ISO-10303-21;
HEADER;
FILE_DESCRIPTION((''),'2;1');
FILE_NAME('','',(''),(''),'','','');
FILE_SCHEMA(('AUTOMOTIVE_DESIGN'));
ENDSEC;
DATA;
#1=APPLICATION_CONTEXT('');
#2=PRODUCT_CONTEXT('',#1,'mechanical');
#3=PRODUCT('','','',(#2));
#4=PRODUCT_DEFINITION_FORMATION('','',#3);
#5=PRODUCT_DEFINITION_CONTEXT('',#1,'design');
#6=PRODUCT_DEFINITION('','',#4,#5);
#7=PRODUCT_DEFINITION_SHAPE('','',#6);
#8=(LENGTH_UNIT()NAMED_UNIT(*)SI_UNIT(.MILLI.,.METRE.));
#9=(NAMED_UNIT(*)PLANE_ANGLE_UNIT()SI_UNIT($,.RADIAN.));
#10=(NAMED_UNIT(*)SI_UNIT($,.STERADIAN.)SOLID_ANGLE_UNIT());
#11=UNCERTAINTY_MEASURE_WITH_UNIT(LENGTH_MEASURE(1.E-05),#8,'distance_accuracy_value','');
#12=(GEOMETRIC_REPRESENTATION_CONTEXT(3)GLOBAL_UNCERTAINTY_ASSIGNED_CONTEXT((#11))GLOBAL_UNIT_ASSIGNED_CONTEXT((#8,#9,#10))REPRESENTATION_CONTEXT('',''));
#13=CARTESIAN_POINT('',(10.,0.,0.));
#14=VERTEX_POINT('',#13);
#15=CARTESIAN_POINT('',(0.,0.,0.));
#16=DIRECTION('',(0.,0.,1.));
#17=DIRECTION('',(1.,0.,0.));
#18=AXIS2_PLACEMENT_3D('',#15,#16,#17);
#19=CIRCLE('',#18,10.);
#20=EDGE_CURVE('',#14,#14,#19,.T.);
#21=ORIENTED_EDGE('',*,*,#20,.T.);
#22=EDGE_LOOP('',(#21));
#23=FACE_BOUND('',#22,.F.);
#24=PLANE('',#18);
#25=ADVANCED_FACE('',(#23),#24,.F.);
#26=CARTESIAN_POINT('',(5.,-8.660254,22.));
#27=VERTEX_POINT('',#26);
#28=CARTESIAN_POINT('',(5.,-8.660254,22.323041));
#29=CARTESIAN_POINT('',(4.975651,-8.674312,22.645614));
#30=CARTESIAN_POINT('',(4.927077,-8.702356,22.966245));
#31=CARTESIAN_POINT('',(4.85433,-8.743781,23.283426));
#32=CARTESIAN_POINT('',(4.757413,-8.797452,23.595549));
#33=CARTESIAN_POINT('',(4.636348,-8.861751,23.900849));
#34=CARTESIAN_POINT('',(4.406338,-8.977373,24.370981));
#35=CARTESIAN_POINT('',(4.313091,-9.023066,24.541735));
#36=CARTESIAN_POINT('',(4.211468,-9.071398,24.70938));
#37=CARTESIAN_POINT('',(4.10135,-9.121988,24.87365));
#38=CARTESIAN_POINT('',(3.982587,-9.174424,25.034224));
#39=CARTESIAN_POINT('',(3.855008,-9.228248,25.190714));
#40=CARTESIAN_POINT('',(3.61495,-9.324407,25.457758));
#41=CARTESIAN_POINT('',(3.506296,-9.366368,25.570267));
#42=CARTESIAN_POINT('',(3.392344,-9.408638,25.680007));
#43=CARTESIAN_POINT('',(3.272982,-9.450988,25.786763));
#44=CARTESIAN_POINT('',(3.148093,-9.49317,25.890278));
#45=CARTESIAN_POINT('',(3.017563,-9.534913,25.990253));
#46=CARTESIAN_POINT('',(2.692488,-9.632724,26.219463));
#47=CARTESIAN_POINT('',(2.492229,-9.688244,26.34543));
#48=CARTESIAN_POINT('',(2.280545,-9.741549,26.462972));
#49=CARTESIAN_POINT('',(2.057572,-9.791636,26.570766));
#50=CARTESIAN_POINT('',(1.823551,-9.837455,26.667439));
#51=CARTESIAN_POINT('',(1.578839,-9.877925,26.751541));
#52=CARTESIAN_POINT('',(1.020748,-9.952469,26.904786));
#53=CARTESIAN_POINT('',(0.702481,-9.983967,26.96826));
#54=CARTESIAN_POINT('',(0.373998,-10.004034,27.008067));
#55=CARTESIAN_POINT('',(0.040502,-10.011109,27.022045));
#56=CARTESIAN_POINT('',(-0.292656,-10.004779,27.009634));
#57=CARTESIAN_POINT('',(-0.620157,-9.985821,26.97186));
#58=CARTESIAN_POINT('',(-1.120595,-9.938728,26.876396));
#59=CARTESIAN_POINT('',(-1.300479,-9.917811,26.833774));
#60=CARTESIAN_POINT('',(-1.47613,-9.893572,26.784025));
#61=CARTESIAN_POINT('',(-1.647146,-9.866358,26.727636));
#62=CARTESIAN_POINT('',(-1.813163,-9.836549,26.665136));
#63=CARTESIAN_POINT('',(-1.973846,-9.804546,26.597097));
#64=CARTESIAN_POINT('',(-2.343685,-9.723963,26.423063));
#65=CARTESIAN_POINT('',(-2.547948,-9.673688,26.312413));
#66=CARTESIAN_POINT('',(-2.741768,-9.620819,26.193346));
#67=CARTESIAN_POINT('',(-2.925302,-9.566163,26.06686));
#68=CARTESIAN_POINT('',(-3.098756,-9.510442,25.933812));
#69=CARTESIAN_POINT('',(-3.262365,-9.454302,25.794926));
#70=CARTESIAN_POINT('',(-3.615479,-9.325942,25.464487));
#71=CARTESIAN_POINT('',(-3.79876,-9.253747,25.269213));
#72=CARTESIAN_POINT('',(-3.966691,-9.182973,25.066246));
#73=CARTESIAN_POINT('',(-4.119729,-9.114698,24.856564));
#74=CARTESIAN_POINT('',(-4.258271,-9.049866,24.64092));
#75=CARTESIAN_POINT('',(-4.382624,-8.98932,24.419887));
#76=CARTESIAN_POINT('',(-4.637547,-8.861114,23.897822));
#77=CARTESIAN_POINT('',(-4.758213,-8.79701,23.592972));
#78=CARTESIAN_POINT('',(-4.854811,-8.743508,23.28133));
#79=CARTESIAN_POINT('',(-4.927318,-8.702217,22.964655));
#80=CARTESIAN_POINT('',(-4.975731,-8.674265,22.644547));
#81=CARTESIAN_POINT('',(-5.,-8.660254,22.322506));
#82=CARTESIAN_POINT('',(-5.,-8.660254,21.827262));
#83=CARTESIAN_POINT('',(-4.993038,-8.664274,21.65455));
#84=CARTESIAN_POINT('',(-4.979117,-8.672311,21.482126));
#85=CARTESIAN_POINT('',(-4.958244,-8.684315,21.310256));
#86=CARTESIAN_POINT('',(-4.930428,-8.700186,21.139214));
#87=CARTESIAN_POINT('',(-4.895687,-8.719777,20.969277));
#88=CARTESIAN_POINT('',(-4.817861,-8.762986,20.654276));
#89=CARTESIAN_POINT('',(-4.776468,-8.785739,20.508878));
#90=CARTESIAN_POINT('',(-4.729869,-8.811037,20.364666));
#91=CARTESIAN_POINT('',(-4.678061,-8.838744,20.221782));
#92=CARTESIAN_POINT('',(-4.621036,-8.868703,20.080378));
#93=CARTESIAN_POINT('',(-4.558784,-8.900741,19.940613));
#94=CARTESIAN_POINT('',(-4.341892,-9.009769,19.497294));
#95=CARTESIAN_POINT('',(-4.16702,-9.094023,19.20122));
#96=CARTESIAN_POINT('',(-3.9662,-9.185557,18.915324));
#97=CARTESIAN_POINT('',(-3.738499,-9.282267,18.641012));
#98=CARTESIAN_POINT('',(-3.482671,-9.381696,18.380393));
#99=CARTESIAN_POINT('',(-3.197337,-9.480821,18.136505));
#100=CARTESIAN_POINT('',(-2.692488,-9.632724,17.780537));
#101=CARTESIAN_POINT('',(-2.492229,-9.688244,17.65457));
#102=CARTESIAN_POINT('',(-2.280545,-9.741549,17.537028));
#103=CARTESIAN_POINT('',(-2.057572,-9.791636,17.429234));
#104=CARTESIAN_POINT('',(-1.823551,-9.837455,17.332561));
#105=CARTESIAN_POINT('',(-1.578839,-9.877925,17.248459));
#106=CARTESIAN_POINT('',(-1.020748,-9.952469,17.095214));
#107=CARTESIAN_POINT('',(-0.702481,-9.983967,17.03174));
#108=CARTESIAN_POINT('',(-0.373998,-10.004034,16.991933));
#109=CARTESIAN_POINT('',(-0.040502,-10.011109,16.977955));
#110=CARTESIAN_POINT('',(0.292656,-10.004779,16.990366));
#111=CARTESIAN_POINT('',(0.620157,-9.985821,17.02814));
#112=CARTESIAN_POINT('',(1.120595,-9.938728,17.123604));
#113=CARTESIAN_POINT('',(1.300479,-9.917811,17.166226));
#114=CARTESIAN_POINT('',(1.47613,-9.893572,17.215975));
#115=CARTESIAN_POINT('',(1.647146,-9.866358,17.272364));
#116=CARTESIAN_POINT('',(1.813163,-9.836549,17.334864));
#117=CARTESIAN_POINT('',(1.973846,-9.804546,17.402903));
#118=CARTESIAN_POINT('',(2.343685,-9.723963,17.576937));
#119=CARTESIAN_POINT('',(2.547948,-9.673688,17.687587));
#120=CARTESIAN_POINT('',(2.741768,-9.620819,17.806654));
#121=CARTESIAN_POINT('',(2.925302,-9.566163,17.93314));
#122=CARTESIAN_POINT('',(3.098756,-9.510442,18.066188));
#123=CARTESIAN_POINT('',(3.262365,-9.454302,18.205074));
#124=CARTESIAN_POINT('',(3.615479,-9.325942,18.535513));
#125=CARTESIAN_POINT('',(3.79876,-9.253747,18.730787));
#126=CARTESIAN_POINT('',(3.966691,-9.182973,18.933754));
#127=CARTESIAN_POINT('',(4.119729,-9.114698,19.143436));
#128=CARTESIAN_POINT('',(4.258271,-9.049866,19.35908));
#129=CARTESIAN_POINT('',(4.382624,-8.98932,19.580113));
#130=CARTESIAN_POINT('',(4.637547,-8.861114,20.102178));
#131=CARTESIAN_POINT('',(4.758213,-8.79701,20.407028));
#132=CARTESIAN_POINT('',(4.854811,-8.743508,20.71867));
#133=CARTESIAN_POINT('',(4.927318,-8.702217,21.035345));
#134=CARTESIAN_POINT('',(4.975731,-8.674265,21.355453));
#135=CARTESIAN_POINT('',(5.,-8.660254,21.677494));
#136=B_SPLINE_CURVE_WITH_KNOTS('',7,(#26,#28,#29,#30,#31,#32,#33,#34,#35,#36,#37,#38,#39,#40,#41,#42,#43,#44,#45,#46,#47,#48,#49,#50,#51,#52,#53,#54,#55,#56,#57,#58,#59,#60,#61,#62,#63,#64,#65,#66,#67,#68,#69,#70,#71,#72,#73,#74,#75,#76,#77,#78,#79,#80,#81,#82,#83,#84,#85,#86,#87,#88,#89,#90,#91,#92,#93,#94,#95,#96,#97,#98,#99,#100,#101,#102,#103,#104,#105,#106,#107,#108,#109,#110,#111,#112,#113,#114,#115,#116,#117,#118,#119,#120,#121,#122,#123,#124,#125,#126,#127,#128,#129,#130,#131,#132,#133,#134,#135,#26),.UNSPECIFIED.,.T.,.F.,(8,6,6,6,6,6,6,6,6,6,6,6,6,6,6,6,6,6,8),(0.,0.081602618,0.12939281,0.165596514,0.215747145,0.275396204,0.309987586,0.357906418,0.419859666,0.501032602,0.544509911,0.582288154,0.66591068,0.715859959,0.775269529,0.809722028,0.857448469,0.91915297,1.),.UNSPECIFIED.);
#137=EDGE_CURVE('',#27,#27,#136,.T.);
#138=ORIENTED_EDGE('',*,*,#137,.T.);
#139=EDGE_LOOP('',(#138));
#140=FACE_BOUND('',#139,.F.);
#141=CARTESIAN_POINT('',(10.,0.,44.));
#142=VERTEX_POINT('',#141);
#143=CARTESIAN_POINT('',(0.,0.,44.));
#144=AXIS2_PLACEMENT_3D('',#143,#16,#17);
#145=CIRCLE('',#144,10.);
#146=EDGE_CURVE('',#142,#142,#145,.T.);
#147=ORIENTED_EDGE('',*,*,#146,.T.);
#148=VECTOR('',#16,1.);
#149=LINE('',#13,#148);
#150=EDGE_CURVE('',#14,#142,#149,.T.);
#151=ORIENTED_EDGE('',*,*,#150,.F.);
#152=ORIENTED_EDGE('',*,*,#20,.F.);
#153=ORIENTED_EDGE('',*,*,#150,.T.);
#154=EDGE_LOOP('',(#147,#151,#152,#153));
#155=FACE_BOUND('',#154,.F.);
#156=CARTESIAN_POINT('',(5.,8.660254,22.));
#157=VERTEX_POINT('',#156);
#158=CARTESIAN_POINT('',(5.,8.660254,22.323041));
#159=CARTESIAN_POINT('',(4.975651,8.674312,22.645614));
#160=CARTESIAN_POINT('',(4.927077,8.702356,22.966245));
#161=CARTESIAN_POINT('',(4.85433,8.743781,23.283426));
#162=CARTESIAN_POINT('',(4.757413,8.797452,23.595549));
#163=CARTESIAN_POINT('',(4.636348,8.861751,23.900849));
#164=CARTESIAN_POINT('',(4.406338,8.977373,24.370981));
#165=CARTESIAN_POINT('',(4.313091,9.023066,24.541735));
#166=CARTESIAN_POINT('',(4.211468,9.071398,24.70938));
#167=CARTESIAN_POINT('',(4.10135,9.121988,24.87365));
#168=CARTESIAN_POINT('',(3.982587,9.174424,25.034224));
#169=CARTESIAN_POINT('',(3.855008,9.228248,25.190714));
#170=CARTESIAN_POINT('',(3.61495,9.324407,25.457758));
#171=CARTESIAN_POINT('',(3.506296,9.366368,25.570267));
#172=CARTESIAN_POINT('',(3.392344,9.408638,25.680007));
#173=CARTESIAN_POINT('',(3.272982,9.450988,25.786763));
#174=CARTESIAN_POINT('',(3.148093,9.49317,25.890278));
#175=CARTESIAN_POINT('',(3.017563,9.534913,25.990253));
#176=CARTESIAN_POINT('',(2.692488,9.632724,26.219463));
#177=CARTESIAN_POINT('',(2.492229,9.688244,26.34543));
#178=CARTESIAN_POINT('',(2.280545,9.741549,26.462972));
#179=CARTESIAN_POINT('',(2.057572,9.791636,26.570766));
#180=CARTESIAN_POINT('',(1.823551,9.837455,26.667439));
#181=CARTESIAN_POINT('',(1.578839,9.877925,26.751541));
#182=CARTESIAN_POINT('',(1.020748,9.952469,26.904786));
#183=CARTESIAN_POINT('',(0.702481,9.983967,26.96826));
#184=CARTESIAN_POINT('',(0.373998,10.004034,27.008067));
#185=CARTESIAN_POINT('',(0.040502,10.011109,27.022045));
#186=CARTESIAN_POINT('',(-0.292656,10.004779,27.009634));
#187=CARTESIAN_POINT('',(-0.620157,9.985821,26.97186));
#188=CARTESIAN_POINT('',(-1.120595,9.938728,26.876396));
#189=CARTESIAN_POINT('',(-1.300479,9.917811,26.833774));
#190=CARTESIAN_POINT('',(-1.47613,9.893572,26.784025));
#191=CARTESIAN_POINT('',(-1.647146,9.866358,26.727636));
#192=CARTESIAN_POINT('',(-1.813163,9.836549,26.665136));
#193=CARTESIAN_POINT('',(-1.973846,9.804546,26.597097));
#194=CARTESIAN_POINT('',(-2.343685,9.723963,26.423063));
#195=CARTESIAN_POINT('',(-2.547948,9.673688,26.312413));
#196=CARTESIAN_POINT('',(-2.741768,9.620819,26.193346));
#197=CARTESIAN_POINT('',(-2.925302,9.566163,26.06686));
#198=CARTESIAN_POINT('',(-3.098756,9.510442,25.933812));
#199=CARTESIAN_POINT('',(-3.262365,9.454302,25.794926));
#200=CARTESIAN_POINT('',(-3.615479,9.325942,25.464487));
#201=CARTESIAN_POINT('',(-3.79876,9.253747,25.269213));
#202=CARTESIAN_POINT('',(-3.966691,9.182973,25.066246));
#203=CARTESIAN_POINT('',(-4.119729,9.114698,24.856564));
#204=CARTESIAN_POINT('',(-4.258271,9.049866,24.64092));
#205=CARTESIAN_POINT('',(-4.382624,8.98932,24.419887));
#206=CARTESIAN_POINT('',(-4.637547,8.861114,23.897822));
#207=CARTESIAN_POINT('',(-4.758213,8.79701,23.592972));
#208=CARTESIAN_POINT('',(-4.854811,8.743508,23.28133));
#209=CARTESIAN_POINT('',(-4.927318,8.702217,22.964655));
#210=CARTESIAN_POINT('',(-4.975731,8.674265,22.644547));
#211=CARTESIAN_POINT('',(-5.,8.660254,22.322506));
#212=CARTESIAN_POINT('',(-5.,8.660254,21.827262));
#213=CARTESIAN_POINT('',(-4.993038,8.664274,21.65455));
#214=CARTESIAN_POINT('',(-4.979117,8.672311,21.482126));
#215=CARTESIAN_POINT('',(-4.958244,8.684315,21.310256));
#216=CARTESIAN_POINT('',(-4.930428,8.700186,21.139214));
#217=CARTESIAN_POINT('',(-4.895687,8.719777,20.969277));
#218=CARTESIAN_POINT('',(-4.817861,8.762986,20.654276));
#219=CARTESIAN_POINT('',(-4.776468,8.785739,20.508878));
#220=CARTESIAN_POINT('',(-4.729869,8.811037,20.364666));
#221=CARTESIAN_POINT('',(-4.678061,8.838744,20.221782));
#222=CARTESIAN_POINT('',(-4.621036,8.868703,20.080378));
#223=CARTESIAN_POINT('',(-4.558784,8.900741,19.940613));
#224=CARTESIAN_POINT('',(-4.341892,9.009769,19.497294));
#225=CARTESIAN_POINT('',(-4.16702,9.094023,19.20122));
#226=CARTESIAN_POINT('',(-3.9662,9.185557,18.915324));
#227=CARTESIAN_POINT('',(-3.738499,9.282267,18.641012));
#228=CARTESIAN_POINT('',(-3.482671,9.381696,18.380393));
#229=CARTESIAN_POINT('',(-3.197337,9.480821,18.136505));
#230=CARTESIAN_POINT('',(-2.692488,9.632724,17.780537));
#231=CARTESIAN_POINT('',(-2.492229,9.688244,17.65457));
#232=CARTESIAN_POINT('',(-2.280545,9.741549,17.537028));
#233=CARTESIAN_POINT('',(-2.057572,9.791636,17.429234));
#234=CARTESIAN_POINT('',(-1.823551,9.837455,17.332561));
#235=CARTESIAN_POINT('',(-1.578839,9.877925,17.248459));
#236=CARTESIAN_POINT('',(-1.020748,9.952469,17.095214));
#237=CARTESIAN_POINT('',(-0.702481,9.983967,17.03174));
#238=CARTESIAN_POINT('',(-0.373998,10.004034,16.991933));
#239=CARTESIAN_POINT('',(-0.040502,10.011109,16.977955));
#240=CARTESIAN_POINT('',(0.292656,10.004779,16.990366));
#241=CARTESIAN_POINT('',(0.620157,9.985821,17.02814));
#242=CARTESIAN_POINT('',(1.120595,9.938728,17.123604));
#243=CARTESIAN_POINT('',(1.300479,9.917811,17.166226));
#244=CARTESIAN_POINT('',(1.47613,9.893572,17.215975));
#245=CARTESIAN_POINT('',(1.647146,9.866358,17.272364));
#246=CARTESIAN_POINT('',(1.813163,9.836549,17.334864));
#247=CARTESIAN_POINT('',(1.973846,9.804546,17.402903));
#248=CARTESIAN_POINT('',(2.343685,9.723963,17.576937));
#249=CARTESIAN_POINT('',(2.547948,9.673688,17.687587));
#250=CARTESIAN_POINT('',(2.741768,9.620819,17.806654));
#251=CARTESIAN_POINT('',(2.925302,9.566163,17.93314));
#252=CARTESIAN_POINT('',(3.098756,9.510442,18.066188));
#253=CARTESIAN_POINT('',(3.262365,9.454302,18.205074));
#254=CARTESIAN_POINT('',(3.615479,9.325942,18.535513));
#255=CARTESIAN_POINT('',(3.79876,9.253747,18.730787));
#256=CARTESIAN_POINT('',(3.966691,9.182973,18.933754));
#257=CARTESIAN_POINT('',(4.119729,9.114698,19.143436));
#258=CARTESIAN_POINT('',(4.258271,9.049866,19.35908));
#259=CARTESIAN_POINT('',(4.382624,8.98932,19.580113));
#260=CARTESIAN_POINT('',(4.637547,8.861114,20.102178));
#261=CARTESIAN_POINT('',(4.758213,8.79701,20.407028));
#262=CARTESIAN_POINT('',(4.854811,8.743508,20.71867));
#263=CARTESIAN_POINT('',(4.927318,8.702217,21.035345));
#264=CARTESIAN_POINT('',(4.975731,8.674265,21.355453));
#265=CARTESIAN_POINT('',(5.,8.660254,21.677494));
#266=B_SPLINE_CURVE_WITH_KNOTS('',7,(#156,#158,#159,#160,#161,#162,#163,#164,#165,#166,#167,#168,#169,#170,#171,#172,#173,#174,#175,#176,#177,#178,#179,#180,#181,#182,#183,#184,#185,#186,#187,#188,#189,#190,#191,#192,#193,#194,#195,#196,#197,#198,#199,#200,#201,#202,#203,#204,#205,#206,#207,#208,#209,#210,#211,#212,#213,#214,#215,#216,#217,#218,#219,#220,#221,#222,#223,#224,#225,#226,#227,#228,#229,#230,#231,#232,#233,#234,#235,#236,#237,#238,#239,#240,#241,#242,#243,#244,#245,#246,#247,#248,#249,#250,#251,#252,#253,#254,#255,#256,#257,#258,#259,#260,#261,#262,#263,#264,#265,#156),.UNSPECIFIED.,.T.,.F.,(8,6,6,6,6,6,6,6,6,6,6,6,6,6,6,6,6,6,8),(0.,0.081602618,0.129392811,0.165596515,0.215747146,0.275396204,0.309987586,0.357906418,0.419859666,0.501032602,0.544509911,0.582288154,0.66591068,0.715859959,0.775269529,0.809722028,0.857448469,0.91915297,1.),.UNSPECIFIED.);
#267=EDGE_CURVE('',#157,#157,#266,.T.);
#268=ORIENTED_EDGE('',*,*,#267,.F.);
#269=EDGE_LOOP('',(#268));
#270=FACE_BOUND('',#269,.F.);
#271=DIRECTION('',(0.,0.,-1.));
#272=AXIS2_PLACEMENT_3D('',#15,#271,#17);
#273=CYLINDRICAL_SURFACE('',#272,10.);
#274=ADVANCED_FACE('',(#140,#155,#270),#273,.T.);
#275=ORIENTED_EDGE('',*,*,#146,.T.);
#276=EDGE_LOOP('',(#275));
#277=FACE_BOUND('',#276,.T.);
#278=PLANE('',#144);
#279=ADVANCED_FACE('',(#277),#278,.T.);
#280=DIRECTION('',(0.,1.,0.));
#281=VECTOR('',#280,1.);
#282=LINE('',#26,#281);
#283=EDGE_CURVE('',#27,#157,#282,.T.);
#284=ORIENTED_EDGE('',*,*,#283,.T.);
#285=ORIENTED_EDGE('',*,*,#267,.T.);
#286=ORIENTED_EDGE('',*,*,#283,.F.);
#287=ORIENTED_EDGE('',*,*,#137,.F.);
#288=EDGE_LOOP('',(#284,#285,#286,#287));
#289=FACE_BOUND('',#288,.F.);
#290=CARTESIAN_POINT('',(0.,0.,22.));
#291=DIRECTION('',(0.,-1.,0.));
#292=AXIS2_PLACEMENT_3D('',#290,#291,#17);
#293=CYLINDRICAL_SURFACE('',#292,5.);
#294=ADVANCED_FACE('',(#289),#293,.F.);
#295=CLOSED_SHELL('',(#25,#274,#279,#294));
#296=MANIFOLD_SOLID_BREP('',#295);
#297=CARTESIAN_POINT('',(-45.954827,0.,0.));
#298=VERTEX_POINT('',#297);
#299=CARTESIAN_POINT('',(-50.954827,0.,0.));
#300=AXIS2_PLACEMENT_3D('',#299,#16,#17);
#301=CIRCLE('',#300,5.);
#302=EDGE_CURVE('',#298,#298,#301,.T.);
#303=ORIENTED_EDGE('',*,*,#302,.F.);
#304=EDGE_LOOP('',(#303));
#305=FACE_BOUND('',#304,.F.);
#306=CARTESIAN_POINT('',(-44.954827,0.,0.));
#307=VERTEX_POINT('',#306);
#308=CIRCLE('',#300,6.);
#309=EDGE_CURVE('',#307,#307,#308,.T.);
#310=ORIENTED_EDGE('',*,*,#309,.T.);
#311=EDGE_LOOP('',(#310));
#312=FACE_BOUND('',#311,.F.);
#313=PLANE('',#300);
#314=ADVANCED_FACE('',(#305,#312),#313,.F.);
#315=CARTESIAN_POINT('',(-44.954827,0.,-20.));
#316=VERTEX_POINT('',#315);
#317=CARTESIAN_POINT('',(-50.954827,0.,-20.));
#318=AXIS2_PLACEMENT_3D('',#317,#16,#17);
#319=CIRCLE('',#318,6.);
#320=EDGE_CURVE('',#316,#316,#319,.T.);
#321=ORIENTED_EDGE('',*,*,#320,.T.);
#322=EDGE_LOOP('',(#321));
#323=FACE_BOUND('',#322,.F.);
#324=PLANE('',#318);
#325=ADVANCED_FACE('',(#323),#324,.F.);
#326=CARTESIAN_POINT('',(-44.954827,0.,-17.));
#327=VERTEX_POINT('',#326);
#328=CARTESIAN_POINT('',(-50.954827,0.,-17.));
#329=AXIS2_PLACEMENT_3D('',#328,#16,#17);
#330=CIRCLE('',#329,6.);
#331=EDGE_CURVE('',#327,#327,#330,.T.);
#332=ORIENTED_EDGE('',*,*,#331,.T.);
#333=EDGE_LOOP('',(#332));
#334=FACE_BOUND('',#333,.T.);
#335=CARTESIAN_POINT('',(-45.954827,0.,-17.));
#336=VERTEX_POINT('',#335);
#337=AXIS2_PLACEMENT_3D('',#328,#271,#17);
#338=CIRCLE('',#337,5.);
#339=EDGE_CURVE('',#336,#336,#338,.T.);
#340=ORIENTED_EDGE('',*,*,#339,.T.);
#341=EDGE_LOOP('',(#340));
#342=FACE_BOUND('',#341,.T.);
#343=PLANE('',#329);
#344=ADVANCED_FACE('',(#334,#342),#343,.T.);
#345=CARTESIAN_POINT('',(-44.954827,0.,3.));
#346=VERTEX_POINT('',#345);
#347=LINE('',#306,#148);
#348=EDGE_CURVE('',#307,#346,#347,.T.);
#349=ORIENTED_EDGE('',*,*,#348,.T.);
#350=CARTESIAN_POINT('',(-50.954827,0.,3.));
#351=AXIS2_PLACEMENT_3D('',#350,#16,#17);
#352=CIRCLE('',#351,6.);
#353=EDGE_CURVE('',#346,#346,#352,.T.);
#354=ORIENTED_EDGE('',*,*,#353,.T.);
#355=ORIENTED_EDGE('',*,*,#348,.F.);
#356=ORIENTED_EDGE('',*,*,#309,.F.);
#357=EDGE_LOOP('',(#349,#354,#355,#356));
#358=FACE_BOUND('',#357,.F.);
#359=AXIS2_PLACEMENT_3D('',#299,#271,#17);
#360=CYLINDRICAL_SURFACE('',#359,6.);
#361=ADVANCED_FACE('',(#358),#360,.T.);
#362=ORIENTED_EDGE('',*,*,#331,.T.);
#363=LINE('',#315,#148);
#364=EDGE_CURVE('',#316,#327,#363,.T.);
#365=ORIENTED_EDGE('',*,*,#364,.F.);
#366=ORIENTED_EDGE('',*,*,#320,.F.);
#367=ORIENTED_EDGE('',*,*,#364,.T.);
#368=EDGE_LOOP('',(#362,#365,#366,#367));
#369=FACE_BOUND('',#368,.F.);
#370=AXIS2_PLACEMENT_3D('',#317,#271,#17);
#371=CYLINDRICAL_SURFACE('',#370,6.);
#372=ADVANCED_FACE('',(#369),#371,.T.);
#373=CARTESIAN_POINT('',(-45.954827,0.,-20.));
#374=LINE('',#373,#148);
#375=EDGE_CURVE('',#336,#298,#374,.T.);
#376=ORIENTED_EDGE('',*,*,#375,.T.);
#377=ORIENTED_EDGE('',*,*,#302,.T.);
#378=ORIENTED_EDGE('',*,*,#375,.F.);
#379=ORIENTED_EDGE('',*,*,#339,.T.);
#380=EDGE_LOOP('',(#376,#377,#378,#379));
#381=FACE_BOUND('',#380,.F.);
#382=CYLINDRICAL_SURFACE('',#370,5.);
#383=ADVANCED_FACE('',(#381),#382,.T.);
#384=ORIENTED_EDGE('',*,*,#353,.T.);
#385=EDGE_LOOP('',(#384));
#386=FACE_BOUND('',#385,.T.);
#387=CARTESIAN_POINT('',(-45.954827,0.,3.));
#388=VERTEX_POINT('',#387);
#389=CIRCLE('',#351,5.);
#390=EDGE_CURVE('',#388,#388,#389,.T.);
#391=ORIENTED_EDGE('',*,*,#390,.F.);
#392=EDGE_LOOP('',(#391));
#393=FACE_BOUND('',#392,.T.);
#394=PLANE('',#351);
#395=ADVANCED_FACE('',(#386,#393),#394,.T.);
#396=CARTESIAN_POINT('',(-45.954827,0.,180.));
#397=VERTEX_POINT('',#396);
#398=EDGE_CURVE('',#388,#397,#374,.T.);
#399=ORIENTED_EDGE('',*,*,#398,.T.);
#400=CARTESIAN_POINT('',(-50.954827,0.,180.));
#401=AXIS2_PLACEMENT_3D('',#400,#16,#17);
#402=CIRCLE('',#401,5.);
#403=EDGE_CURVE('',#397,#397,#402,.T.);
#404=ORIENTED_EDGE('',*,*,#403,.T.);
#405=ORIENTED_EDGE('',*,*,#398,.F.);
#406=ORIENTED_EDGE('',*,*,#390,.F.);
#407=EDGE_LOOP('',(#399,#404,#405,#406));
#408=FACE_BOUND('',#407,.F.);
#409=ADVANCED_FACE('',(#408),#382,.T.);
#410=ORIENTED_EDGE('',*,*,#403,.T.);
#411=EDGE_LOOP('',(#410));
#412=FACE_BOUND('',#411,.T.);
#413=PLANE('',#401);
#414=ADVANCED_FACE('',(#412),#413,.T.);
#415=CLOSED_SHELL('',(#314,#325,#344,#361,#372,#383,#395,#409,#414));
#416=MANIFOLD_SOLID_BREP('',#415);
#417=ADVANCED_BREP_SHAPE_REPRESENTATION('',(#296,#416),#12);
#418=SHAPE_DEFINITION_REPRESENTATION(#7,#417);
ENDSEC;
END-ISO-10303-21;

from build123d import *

# Parameters (mm, degrees)
F0_R          = 10
F1_DEPTH      = 44
F2_R          = 5
F3_DEPTH      = 25
F3_DEPTH_BACK = 21.05684
F4_R          = 6
F4_R_2        = 5
F5_DEPTH      = 3
F6_DEPTH      = 200
F8_DEPTH      = 3


with BuildPart() as f1:
    # F0 (on Top) → F1 (new body)
    with BuildSketch(Plane.XY):
        Circle(F0_R)
    extrude(amount=F1_DEPTH)

    # F2 (on Front) → F3 (cut, two sides)
    with BuildSketch(Plane.XZ) as f3_sk:
        with Locations((0, 22)):
            Circle(F2_R)
    extrude(amount=-F3_DEPTH, mode=Mode.SUBTRACT)
    extrude(f3_sk.sketch, amount=F3_DEPTH_BACK, mode=Mode.SUBTRACT)


with BuildPart() as f5:
    # F4 (on Top) → F5 (new body)
    with BuildSketch(Plane.XY):
        with Locations((-50.9548272629, 0)):
            Circle(F4_R)
        with Locations((-50.9548272629, 0)):
            Circle(F4_R_2, mode=Mode.SUBTRACT)
        with Locations((-50.9548272629, 0)):
            Circle(F4_R_2)
    extrude(amount=F5_DEPTH)

    # F4 (on Top) → F6 (join)
    with BuildSketch(Plane.XY):
        with Locations((-50.9548272629, 0)):
            Circle(F4_R_2)
    extrude(amount=F6_DEPTH)


with BuildPart() as f5_1:
    # F7: moved
    add(f5.part.moved(Location((0, 0, -20))))

    # F4 (on Top) → F8 (join)
    with BuildSketch(Plane.XY):
        with Locations((-50.9548272629, 0)):
            Circle(F4_R)
        with Locations((-50.9548272629, 0)):
            Circle(F4_R_2, mode=Mode.SUBTRACT)
    extrude(amount=F8_DEPTH)


solid = Compound([f1.part, f5_1.part])
